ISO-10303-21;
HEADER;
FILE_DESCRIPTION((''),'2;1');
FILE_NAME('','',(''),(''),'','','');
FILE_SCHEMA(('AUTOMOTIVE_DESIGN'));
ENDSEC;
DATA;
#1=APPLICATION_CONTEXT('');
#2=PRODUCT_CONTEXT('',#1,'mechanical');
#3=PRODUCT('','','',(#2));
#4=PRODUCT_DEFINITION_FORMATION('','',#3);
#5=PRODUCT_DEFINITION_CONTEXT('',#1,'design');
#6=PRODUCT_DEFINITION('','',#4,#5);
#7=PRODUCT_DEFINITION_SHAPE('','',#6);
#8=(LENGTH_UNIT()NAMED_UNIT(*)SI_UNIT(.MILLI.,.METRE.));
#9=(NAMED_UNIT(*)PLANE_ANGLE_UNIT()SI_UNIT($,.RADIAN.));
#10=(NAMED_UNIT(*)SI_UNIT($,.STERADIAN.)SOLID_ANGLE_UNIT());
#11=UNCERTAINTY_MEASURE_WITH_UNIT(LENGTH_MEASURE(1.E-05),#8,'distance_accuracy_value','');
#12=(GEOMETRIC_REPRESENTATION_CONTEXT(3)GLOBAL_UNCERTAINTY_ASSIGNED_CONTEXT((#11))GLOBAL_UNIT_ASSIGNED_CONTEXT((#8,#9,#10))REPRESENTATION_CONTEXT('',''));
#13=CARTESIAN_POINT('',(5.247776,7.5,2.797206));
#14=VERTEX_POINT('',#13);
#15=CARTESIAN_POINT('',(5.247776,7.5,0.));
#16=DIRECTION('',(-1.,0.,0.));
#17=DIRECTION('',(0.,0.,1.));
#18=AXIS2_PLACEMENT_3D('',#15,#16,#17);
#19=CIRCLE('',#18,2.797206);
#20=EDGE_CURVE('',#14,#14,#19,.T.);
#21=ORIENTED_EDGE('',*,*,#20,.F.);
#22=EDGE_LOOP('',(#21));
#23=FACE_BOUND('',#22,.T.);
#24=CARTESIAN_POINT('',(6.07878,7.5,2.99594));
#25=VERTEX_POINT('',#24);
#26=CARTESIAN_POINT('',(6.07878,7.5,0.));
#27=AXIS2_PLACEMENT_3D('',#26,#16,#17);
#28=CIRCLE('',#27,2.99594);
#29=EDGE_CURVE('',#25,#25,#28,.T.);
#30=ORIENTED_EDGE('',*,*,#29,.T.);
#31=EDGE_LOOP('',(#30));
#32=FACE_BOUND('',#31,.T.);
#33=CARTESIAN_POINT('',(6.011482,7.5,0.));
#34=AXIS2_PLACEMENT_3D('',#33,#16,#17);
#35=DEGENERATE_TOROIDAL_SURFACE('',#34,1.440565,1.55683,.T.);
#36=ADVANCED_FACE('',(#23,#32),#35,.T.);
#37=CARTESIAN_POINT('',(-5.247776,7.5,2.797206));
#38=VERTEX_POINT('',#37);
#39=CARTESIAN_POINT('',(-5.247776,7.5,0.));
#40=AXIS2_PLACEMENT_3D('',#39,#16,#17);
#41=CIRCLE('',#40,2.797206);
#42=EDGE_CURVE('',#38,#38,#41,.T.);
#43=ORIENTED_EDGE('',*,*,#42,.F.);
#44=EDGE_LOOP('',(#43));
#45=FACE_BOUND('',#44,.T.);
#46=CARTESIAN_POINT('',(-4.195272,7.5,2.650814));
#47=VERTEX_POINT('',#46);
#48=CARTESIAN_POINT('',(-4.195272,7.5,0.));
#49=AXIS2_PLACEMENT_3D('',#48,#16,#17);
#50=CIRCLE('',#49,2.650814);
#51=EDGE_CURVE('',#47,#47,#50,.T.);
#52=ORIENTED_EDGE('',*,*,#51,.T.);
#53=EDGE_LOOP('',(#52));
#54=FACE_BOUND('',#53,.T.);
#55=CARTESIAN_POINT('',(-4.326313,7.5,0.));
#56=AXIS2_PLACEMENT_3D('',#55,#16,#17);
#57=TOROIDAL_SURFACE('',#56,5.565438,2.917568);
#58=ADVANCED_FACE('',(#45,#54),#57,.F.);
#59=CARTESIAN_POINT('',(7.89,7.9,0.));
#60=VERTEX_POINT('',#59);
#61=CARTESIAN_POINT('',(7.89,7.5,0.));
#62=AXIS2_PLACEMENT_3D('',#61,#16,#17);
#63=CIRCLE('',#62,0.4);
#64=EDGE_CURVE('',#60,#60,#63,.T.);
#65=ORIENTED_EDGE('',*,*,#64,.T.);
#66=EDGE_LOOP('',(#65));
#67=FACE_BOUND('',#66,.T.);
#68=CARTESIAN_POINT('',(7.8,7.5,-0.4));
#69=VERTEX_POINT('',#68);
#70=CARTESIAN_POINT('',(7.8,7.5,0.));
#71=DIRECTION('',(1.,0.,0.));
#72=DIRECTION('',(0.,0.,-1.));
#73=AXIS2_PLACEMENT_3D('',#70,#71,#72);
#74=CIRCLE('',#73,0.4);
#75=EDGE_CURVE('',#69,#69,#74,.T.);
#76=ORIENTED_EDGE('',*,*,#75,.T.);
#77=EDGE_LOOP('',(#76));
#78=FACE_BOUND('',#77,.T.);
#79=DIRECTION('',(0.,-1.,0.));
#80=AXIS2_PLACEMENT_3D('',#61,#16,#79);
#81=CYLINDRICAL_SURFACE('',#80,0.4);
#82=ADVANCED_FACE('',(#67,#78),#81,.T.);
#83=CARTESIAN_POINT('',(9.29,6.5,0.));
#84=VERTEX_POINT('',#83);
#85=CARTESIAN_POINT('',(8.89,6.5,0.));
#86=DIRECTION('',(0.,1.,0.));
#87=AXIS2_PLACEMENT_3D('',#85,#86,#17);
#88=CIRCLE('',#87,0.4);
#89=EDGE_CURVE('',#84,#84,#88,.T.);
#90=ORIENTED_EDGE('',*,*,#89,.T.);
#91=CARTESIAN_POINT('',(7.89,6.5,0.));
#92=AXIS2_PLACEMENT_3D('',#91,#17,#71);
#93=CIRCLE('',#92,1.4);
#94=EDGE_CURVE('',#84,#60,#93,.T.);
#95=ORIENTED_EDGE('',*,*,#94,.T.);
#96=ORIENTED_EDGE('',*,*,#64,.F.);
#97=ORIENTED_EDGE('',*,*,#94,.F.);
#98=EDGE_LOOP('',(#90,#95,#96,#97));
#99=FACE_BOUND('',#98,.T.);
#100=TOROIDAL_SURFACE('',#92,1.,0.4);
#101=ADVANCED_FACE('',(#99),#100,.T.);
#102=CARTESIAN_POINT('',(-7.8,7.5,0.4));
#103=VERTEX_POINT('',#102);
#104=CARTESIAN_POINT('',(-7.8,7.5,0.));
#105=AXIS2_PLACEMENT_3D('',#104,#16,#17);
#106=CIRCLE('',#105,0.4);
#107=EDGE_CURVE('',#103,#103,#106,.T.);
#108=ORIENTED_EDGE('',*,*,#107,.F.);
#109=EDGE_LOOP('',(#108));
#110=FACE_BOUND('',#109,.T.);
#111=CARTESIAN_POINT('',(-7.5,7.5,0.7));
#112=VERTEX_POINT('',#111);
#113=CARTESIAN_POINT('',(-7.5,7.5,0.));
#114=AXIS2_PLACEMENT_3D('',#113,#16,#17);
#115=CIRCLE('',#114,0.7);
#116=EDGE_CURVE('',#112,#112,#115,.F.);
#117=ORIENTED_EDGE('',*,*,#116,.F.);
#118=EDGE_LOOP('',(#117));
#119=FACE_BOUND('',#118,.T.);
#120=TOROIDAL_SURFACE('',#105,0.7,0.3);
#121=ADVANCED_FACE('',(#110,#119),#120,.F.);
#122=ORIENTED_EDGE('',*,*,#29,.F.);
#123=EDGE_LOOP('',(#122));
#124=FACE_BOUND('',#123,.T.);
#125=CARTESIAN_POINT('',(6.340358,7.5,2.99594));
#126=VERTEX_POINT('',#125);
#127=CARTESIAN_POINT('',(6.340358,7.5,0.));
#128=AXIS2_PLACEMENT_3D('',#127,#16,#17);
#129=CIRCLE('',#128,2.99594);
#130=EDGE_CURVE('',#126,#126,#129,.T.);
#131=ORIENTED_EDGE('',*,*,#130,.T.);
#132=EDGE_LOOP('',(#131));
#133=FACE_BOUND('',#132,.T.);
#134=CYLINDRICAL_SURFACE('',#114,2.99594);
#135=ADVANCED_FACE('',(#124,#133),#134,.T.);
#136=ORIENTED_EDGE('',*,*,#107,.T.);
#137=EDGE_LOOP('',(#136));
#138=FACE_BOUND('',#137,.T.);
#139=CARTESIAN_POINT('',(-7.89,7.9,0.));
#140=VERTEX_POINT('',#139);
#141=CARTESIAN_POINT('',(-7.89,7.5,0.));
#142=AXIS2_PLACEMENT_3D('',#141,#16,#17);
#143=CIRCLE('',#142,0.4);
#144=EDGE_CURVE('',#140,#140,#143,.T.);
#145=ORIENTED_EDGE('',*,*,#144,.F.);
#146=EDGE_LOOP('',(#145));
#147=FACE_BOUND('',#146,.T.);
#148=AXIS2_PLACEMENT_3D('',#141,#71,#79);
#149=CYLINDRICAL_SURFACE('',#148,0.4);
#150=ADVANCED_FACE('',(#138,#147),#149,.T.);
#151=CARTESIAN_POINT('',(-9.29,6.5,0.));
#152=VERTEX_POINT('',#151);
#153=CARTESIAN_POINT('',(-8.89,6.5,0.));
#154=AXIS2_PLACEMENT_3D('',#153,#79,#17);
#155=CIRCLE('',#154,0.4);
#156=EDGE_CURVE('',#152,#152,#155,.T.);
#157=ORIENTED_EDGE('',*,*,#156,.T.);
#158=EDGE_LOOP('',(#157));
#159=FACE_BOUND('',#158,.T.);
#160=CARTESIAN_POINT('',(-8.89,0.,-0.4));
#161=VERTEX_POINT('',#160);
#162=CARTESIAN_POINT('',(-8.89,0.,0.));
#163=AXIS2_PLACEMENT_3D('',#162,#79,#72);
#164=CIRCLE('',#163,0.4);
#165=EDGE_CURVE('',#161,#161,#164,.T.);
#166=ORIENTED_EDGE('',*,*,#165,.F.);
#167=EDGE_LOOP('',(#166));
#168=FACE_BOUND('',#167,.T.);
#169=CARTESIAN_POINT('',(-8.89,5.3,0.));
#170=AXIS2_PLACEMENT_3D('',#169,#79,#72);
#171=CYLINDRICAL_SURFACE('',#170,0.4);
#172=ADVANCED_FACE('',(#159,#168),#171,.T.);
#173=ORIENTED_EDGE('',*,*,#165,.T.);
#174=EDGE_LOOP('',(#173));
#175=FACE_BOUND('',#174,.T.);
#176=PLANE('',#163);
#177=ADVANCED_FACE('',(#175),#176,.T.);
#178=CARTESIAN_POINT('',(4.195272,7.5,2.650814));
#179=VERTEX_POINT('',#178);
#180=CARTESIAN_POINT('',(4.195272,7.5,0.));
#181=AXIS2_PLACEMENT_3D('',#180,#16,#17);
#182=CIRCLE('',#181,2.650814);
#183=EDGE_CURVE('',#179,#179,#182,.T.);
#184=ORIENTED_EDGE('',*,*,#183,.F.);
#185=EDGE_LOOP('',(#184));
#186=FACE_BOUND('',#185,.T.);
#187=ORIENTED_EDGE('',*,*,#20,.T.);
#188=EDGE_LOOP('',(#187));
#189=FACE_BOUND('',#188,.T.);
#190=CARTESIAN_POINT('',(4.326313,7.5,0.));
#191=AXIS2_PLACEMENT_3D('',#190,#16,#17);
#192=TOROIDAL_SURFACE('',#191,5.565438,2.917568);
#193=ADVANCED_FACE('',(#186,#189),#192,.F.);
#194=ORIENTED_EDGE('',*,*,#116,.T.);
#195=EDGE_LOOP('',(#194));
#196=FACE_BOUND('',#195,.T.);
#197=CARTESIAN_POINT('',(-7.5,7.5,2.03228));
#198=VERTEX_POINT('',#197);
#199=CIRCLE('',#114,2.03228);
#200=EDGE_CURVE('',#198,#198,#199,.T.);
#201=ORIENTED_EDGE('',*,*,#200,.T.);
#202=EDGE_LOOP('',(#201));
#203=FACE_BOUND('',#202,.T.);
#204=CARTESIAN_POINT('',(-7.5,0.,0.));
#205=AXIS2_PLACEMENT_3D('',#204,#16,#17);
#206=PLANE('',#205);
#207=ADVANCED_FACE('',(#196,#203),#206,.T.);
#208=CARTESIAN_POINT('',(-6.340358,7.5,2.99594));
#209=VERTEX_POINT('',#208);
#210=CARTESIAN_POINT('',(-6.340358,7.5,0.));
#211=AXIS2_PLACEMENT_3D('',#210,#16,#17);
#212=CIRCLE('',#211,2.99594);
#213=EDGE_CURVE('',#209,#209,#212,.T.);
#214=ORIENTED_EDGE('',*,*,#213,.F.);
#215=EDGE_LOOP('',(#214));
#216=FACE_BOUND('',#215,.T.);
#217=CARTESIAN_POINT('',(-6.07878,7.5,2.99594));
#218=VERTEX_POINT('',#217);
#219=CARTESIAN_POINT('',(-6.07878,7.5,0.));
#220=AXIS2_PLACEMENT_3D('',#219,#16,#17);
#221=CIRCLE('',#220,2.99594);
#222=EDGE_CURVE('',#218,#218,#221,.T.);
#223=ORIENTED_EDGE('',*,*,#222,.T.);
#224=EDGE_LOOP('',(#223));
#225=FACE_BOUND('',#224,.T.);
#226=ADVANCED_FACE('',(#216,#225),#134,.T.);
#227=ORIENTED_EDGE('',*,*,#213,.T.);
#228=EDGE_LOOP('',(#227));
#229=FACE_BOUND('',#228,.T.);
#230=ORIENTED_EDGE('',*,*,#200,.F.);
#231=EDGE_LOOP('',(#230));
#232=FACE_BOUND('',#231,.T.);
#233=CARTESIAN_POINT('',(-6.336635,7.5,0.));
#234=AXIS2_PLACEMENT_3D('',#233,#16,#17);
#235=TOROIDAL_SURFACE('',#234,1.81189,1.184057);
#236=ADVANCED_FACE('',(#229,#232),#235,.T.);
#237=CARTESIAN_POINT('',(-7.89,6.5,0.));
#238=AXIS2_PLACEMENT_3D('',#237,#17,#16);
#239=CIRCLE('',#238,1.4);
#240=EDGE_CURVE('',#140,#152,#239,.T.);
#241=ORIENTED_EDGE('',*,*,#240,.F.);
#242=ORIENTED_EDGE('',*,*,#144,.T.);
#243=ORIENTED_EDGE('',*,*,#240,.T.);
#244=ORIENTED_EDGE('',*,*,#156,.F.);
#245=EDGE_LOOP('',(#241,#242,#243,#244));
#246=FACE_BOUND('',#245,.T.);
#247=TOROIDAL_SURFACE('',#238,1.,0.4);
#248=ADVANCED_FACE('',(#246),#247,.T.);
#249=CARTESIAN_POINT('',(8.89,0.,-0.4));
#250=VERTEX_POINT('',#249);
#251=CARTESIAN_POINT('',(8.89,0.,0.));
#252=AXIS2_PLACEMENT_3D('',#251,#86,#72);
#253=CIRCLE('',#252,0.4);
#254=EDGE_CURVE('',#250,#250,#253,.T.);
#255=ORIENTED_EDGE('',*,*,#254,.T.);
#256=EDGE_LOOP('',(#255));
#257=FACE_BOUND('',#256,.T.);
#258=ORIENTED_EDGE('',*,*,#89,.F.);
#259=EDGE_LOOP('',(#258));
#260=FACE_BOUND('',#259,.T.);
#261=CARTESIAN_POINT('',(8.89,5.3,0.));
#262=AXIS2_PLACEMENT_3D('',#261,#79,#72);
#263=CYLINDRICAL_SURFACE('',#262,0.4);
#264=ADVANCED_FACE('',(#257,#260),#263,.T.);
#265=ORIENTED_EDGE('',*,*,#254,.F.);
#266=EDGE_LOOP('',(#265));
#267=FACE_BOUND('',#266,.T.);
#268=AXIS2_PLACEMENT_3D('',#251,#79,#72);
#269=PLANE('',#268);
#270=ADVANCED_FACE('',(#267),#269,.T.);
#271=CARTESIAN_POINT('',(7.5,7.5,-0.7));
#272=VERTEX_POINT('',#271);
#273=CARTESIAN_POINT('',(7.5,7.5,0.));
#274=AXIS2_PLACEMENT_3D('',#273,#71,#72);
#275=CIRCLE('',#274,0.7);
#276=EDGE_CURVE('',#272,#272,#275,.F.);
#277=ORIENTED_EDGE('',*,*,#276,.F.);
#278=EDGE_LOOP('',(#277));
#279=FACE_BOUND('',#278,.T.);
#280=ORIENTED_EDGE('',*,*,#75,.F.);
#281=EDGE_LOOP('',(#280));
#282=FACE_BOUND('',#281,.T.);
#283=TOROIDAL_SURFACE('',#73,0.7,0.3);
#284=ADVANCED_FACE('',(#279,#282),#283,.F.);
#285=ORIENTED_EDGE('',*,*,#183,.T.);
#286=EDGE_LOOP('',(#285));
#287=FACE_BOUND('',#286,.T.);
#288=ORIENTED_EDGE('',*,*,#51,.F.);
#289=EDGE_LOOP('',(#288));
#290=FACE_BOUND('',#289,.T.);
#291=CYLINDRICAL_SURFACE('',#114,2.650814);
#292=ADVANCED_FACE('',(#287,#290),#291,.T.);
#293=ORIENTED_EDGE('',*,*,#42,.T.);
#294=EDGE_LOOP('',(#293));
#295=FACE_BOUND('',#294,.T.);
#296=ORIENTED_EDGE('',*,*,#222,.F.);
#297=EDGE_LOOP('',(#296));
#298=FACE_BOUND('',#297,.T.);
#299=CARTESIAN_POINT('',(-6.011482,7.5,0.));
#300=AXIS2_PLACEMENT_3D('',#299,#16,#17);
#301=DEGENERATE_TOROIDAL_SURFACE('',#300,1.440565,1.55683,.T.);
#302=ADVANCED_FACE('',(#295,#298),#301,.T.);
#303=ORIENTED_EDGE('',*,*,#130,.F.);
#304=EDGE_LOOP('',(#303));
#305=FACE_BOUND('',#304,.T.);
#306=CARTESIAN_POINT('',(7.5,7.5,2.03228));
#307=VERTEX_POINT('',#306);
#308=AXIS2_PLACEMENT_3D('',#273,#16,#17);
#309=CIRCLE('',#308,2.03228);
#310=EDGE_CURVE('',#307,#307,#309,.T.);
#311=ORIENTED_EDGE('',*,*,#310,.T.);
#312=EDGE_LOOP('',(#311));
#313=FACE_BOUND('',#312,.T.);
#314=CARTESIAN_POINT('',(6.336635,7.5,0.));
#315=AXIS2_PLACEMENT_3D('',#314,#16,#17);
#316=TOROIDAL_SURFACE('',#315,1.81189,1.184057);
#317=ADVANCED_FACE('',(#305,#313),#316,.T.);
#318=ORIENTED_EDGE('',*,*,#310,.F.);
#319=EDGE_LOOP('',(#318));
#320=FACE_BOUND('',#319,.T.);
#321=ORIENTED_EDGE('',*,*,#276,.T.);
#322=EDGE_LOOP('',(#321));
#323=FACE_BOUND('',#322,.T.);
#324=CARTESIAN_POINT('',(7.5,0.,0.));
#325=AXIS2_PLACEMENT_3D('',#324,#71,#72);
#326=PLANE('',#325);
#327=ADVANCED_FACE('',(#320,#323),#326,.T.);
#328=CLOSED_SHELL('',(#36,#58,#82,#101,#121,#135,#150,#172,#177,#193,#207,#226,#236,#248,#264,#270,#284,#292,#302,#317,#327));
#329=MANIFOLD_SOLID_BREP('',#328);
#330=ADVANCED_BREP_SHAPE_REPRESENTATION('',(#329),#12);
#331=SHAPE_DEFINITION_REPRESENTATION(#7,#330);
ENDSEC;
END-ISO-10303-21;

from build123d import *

# Parameters (mm, degrees)
SKETCH1_R           = 0.4
BOSS_EXTRUDE1_DEPTH = 5.3
SKETCH4_R           = 0.4
FILLET1_R           = 0.3


with BuildPart() as part:
    # Sketch1 → Boss-Extrude1 (new body)
    with BuildSketch(Plane(origin=(0, 0, 0), x_dir=(1, 0, 0), z_dir=(0, 1, 0))):
        with Locations(Location((8.89, 0, 0), (0, 0, 90))):
            Circle(SKETCH1_R)
    boss_extrude1 = extrude(amount=BOSS_EXTRUDE1_DEPTH)



with BuildPart() as body_2:
    # Sketch2 → Revolve1 (revolve)
    with BuildSketch(Plane.XY, mode=Mode.PRIVATE) as revolve1_sk:
        with BuildLine():
            Line((-7.5, 7.5), (7.5, 7.5))
            Line((7.5, 7.5), (7.5, 9.532279676))
            ThreePointArc((7.5, 9.532279676), (7.093393803, 10.222552101), (6.340357644, 10.495940404))
            Line((6.340357644, 10.495940404), (6.078780295, 10.495940404))
            ThreePointArc((6.078780295, 10.495940404), (5.649377435, 10.454699102), (5.247776116, 10.297206111))
            ThreePointArc((5.247776116, 10.297206111), (4.728245215, 10.175688355), (4.19527223, 10.150814298))
            Line((4.19527223, 10.150814298), (-4.19527223, 10.150814298))
            ThreePointArc((-4.19527223, 10.150814298), (-4.728245215, 10.175688355), (-5.247776116, 10.297206111))
            ThreePointArc((-5.247776116, 10.297206111), (-5.649377435, 10.454699102), (-6.078780295, 10.495940404))
            Line((-6.078780295, 10.495940404), (-6.340357644, 10.495940404))
            ThreePointArc((-6.340357644, 10.495940404), (-7.093393803, 10.222552101), (-7.5, 9.532279676))
            Line((-7.5, 9.532279676), (-7.5, 7.5))
        make_face()
    revolve(revolve1_sk.sketch.rotate(Axis((-7.5, 7.5, 0), (1, 0, 0)), 90), axis=Axis((-7.5, 7.5, 0), (1, 0, 0)))


with BuildPart() as part_1:
    add(part.part)

    add(body_2.part)  # Sweep1 merges body 2
    # Sweep1: sweep along a path in Sketch3
    with BuildLine(Plane.XY) as sweep1_path:
        Line((3.5, 7.5), (7.89, 7.5))
        ThreePointArc((7.89, 7.5), (8.597106781, 7.207106781), (8.89, 6.5))
        Line((8.89, 6.5), (8.89, 5.3))
    # Sketch4 → Sweep1 (sweep)
    with BuildSketch(Plane(origin=(0, 5.3, 0), x_dir=(1, 0, 0), z_dir=(0, 1, 0))):
        with Locations((8.89, 0)):
            Circle(SKETCH4_R)
    sweep1 = sweep(path=sweep1_path.line)

    # Mirror1: Boss-Extrude1, Sweep1 across plane
    add(boss_extrude1.mirror(Plane(origin=(0, 0, 0), x_dir=(0, 0, 1), z_dir=(1, 0, 0))))
    add(sweep1.mirror(Plane(origin=(0, 0, 0), x_dir=(0, 0, 1), z_dir=(1, 0, 0))))

    # Fillet1
    fillet1_edges = [part_1.edges().sort_by_distance(p)[0] for p in [
        (7.5, 7.1, 0),
        (-7.5, 7.1, 0),
    ]]
    fillet(fillet1_edges, radius=FILLET1_R)


solid = part_1.part
